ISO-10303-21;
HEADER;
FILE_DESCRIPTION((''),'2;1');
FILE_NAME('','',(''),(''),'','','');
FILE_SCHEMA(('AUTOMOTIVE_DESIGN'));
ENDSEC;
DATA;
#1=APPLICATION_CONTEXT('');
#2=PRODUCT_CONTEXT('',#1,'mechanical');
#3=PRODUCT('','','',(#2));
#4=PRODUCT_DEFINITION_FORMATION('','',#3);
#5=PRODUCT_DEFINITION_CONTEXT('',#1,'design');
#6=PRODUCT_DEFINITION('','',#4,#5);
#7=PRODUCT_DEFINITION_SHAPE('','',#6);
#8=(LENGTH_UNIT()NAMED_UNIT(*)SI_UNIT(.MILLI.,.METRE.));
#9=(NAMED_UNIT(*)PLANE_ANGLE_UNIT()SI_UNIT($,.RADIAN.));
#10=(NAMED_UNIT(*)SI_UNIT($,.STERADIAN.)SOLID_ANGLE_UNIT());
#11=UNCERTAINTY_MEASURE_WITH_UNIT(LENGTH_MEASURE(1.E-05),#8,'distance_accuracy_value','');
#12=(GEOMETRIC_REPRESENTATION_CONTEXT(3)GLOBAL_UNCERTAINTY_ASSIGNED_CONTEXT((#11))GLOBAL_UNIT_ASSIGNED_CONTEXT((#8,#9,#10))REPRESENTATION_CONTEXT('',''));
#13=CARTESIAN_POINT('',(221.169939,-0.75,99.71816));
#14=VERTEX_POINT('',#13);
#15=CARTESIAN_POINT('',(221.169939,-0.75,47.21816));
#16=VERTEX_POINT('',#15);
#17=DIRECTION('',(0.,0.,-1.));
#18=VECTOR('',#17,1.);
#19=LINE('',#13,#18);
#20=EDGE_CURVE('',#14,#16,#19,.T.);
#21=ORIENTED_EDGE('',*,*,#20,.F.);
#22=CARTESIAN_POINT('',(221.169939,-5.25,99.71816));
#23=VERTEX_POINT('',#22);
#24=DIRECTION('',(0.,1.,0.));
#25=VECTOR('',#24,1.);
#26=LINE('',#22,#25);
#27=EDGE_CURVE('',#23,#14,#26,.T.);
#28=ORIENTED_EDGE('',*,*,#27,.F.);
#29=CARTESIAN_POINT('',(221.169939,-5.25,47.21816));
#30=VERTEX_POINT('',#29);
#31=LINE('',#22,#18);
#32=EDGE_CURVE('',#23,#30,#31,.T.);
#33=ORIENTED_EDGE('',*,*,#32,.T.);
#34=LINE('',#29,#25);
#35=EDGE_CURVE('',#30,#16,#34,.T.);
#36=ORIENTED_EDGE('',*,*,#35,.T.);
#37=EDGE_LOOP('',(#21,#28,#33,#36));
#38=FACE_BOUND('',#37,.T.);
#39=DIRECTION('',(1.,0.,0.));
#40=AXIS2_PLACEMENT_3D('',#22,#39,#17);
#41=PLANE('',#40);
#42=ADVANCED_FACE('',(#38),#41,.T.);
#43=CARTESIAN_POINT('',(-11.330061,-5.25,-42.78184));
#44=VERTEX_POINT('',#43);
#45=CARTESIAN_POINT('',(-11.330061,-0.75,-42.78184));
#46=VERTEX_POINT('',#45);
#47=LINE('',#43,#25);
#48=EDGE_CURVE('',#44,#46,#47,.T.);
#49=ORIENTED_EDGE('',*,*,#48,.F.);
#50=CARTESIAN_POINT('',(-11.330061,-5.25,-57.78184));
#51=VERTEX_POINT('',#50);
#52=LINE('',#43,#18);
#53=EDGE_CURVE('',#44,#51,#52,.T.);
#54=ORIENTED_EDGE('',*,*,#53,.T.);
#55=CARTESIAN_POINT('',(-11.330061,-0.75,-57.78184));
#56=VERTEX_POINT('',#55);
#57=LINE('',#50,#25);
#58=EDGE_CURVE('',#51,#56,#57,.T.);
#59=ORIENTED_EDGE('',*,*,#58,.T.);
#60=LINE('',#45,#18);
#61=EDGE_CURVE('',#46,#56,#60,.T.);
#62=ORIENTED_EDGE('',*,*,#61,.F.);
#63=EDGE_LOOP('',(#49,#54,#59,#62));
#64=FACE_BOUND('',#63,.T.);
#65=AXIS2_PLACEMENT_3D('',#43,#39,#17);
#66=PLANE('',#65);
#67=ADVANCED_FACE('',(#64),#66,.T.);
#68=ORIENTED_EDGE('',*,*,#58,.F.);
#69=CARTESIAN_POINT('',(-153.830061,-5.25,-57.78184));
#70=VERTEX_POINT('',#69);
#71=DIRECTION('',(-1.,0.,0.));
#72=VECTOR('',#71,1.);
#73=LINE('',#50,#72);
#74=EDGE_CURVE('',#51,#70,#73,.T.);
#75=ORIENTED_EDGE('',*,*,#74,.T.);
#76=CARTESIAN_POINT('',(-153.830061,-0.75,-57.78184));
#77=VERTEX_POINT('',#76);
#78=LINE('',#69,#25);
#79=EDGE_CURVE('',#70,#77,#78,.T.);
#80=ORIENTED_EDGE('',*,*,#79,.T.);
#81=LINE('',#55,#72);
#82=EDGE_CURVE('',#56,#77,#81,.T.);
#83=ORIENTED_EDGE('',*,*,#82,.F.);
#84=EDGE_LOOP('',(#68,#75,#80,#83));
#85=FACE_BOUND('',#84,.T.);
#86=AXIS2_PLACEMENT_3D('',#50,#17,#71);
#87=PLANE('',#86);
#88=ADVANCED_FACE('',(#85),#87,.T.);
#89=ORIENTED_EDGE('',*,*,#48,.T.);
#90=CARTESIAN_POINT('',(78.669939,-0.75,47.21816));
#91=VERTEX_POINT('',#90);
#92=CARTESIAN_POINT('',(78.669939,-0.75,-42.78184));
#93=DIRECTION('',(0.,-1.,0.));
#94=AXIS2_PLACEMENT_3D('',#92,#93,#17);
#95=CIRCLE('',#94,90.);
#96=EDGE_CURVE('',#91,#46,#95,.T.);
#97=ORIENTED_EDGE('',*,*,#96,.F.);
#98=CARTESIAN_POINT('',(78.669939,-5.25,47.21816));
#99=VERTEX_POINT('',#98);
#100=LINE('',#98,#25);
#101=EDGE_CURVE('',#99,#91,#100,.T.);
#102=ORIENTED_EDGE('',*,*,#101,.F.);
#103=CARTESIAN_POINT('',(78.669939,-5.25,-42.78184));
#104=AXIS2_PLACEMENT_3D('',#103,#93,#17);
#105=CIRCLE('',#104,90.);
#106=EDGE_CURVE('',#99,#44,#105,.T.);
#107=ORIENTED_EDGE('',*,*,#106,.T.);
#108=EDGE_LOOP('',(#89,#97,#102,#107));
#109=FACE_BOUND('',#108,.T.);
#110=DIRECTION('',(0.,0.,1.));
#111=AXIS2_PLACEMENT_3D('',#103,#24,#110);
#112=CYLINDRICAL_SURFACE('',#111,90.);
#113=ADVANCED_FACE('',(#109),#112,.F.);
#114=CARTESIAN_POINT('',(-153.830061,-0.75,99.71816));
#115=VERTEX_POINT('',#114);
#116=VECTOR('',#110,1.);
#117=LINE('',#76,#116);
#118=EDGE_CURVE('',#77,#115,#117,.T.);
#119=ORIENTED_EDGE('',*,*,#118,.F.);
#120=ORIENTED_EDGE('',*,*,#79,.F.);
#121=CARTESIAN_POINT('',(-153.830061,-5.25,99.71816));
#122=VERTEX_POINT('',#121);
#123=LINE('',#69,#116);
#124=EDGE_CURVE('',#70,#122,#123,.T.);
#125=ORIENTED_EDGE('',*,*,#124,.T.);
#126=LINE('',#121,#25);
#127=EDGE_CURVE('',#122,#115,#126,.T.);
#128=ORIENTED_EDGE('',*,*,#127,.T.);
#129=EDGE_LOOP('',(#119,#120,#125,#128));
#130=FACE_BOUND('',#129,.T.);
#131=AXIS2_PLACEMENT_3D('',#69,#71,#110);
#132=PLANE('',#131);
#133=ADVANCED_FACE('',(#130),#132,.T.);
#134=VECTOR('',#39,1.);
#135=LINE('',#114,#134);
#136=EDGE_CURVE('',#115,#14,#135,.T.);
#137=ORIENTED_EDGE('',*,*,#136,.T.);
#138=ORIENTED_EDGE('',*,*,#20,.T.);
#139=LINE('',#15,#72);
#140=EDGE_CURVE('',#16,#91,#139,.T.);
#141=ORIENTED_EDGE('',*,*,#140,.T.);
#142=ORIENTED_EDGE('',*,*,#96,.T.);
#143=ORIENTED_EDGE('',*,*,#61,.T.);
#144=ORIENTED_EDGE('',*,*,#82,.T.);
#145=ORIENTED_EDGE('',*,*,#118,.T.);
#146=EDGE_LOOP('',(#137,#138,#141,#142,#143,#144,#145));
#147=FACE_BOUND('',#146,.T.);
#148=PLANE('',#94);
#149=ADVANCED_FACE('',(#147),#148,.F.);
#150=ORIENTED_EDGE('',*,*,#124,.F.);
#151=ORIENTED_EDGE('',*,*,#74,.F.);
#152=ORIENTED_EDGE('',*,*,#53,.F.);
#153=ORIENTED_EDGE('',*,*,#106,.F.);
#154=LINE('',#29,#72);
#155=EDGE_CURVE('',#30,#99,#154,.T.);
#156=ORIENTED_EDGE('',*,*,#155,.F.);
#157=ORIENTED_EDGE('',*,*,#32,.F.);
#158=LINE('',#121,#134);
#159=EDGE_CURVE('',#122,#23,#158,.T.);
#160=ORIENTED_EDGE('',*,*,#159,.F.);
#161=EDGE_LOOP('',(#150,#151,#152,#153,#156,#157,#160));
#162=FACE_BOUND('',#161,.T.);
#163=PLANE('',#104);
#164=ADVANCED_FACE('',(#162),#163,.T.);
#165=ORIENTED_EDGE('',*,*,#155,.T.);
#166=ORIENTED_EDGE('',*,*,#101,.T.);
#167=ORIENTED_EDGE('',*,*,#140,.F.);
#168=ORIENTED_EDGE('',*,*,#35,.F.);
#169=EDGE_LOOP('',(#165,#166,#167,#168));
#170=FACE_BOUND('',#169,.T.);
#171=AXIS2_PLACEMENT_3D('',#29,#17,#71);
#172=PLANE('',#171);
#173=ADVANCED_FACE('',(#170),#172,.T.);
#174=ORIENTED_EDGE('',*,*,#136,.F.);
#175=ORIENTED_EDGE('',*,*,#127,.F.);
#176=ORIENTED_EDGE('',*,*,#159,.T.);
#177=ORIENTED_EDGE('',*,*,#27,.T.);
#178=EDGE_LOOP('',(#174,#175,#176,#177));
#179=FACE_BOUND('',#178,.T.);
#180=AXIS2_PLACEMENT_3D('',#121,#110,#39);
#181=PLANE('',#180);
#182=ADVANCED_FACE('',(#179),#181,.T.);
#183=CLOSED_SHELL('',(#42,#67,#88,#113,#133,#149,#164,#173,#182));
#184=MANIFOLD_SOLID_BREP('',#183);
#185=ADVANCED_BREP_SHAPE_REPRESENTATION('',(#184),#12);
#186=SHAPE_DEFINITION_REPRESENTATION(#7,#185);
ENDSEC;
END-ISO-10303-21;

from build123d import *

# Parameters (mm, degrees)
BOSS_EXTRUDE1_DEPTH = 6
SCALE1_SCALE        = 0.75


with BuildPart() as part:
    # Sketch1 → Boss-Extrude1 (new body)
    with BuildSketch(Plane(origin=(0, 0, 0), x_dir=(1, 0, 0), z_dir=(0, 1, 0))):
        with BuildLine():
            Line((-10, 70), (-10, 90))
            Line((-10, 90), (-200, 90))
            Line((-200, 90), (-200, -120))
            Line((-200, -120), (300, -120))
            Line((300, -120), (300, -50))
            Line((300, -50), (110, -50))
            ThreePointArc((110, -50), (25.147186258, -14.852813742), (-10, 70))
        make_face()
    extrude(amount=-BOSS_EXTRUDE1_DEPTH)


with BuildPart() as part_1:
    # Scale1: scaled about (-15.320244378, -3, 38.872638603)
    add(part.part.scale(SCALE1_SCALE).moved(Location((-3.830061094, -0.75, 9.718159651))))


solid = part_1.part
